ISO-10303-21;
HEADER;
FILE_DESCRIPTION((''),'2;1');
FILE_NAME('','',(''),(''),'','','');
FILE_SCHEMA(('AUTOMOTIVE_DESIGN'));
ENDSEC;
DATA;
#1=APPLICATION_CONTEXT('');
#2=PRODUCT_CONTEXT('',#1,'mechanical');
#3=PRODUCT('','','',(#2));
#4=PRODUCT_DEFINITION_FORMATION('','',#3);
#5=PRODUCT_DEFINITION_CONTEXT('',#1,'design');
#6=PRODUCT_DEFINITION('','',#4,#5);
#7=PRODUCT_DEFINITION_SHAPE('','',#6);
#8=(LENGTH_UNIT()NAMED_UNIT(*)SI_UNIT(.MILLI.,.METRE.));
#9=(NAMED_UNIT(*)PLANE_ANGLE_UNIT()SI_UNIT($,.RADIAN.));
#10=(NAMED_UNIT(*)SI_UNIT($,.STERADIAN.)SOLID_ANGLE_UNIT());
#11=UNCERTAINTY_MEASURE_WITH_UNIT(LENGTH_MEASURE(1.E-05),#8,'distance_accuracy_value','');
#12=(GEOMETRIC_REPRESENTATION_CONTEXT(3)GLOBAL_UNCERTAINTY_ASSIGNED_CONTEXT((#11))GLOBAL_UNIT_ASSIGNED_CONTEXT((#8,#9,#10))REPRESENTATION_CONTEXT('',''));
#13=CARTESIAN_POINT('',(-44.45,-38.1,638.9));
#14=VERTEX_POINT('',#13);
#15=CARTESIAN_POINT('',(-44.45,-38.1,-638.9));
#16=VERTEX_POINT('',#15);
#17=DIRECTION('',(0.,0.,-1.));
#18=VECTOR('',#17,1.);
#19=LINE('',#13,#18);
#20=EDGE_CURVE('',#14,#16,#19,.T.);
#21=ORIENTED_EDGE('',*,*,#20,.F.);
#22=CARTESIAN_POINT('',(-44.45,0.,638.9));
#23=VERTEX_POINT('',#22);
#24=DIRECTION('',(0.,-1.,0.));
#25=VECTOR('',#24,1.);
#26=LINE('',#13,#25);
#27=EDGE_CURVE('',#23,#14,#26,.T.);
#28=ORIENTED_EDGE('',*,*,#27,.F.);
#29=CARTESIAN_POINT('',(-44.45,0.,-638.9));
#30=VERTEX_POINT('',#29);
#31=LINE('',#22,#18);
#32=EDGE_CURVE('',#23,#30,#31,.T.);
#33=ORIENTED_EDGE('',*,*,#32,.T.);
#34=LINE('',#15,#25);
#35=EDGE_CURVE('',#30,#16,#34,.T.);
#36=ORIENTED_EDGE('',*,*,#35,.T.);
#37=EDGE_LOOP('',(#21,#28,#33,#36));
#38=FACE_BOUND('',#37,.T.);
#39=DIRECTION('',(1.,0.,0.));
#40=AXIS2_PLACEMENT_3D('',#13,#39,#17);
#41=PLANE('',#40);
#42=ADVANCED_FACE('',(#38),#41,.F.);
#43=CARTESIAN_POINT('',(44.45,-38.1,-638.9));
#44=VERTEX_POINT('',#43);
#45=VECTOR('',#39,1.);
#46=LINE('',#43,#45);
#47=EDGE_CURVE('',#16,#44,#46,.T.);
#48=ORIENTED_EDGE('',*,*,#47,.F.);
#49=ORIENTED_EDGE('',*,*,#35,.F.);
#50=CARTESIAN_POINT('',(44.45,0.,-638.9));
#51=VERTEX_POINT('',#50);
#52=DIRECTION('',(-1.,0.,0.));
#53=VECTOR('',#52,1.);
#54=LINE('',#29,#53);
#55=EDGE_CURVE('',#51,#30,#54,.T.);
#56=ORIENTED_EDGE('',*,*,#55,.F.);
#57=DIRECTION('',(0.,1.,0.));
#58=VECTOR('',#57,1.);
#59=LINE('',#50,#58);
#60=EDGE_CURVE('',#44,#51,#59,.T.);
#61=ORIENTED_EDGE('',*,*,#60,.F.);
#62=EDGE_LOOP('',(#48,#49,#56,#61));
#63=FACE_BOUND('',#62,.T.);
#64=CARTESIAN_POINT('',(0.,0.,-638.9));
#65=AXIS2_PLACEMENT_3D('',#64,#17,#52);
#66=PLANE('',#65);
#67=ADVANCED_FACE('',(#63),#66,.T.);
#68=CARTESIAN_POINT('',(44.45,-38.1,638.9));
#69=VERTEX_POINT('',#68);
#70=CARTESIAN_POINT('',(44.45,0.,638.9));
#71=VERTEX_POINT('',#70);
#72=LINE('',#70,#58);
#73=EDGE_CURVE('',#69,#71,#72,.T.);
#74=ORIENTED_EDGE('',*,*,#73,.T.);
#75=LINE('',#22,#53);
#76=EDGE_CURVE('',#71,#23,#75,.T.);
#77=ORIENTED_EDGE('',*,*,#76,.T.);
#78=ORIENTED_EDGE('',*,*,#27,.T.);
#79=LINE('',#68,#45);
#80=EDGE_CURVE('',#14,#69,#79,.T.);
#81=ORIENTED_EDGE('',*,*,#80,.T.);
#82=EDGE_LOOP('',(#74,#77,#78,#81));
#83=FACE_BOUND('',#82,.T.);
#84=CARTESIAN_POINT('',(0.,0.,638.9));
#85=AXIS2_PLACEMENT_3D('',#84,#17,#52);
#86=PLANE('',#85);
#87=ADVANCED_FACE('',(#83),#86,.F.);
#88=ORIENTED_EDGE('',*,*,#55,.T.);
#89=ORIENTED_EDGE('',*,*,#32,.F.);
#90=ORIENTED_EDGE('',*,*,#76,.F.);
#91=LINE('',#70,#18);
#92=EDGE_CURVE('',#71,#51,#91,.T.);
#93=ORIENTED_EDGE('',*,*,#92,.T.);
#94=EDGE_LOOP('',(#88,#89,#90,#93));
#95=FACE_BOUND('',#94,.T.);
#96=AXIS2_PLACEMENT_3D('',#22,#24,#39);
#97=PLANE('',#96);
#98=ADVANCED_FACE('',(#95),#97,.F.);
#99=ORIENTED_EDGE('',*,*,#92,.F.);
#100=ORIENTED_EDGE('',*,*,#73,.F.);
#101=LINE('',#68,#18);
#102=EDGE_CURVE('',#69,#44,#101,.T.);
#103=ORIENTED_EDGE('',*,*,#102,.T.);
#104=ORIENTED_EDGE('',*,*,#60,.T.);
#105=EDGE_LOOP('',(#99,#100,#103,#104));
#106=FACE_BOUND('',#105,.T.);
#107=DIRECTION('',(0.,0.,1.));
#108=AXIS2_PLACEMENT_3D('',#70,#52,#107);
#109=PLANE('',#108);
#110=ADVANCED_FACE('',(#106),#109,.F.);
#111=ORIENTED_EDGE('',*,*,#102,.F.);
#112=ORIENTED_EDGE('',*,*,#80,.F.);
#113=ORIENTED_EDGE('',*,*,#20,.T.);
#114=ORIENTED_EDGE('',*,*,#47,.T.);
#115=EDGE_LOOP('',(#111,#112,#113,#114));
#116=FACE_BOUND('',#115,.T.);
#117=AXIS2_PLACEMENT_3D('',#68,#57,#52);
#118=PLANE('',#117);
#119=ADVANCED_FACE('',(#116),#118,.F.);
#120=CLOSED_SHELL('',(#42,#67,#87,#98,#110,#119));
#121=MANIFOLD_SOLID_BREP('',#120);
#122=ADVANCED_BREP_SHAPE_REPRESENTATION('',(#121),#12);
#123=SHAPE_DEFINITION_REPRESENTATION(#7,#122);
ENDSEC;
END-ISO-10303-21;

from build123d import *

# Parameters (mm, degrees)
SKETCH1_W           = 88.9
SKETCH1_H           = 38.1
BOSS_EXTRUDE1_DEPTH = 638.899999947


with BuildPart() as part:
    # Sketch1 → Boss-Extrude1 (new body, symmetric)
    with BuildSketch(Plane.XY):
        with Locations((0, -19.05)):
            Rectangle(SKETCH1_W, SKETCH1_H)
    extrude(amount=BOSS_EXTRUDE1_DEPTH, both=True)


solid = part.part
